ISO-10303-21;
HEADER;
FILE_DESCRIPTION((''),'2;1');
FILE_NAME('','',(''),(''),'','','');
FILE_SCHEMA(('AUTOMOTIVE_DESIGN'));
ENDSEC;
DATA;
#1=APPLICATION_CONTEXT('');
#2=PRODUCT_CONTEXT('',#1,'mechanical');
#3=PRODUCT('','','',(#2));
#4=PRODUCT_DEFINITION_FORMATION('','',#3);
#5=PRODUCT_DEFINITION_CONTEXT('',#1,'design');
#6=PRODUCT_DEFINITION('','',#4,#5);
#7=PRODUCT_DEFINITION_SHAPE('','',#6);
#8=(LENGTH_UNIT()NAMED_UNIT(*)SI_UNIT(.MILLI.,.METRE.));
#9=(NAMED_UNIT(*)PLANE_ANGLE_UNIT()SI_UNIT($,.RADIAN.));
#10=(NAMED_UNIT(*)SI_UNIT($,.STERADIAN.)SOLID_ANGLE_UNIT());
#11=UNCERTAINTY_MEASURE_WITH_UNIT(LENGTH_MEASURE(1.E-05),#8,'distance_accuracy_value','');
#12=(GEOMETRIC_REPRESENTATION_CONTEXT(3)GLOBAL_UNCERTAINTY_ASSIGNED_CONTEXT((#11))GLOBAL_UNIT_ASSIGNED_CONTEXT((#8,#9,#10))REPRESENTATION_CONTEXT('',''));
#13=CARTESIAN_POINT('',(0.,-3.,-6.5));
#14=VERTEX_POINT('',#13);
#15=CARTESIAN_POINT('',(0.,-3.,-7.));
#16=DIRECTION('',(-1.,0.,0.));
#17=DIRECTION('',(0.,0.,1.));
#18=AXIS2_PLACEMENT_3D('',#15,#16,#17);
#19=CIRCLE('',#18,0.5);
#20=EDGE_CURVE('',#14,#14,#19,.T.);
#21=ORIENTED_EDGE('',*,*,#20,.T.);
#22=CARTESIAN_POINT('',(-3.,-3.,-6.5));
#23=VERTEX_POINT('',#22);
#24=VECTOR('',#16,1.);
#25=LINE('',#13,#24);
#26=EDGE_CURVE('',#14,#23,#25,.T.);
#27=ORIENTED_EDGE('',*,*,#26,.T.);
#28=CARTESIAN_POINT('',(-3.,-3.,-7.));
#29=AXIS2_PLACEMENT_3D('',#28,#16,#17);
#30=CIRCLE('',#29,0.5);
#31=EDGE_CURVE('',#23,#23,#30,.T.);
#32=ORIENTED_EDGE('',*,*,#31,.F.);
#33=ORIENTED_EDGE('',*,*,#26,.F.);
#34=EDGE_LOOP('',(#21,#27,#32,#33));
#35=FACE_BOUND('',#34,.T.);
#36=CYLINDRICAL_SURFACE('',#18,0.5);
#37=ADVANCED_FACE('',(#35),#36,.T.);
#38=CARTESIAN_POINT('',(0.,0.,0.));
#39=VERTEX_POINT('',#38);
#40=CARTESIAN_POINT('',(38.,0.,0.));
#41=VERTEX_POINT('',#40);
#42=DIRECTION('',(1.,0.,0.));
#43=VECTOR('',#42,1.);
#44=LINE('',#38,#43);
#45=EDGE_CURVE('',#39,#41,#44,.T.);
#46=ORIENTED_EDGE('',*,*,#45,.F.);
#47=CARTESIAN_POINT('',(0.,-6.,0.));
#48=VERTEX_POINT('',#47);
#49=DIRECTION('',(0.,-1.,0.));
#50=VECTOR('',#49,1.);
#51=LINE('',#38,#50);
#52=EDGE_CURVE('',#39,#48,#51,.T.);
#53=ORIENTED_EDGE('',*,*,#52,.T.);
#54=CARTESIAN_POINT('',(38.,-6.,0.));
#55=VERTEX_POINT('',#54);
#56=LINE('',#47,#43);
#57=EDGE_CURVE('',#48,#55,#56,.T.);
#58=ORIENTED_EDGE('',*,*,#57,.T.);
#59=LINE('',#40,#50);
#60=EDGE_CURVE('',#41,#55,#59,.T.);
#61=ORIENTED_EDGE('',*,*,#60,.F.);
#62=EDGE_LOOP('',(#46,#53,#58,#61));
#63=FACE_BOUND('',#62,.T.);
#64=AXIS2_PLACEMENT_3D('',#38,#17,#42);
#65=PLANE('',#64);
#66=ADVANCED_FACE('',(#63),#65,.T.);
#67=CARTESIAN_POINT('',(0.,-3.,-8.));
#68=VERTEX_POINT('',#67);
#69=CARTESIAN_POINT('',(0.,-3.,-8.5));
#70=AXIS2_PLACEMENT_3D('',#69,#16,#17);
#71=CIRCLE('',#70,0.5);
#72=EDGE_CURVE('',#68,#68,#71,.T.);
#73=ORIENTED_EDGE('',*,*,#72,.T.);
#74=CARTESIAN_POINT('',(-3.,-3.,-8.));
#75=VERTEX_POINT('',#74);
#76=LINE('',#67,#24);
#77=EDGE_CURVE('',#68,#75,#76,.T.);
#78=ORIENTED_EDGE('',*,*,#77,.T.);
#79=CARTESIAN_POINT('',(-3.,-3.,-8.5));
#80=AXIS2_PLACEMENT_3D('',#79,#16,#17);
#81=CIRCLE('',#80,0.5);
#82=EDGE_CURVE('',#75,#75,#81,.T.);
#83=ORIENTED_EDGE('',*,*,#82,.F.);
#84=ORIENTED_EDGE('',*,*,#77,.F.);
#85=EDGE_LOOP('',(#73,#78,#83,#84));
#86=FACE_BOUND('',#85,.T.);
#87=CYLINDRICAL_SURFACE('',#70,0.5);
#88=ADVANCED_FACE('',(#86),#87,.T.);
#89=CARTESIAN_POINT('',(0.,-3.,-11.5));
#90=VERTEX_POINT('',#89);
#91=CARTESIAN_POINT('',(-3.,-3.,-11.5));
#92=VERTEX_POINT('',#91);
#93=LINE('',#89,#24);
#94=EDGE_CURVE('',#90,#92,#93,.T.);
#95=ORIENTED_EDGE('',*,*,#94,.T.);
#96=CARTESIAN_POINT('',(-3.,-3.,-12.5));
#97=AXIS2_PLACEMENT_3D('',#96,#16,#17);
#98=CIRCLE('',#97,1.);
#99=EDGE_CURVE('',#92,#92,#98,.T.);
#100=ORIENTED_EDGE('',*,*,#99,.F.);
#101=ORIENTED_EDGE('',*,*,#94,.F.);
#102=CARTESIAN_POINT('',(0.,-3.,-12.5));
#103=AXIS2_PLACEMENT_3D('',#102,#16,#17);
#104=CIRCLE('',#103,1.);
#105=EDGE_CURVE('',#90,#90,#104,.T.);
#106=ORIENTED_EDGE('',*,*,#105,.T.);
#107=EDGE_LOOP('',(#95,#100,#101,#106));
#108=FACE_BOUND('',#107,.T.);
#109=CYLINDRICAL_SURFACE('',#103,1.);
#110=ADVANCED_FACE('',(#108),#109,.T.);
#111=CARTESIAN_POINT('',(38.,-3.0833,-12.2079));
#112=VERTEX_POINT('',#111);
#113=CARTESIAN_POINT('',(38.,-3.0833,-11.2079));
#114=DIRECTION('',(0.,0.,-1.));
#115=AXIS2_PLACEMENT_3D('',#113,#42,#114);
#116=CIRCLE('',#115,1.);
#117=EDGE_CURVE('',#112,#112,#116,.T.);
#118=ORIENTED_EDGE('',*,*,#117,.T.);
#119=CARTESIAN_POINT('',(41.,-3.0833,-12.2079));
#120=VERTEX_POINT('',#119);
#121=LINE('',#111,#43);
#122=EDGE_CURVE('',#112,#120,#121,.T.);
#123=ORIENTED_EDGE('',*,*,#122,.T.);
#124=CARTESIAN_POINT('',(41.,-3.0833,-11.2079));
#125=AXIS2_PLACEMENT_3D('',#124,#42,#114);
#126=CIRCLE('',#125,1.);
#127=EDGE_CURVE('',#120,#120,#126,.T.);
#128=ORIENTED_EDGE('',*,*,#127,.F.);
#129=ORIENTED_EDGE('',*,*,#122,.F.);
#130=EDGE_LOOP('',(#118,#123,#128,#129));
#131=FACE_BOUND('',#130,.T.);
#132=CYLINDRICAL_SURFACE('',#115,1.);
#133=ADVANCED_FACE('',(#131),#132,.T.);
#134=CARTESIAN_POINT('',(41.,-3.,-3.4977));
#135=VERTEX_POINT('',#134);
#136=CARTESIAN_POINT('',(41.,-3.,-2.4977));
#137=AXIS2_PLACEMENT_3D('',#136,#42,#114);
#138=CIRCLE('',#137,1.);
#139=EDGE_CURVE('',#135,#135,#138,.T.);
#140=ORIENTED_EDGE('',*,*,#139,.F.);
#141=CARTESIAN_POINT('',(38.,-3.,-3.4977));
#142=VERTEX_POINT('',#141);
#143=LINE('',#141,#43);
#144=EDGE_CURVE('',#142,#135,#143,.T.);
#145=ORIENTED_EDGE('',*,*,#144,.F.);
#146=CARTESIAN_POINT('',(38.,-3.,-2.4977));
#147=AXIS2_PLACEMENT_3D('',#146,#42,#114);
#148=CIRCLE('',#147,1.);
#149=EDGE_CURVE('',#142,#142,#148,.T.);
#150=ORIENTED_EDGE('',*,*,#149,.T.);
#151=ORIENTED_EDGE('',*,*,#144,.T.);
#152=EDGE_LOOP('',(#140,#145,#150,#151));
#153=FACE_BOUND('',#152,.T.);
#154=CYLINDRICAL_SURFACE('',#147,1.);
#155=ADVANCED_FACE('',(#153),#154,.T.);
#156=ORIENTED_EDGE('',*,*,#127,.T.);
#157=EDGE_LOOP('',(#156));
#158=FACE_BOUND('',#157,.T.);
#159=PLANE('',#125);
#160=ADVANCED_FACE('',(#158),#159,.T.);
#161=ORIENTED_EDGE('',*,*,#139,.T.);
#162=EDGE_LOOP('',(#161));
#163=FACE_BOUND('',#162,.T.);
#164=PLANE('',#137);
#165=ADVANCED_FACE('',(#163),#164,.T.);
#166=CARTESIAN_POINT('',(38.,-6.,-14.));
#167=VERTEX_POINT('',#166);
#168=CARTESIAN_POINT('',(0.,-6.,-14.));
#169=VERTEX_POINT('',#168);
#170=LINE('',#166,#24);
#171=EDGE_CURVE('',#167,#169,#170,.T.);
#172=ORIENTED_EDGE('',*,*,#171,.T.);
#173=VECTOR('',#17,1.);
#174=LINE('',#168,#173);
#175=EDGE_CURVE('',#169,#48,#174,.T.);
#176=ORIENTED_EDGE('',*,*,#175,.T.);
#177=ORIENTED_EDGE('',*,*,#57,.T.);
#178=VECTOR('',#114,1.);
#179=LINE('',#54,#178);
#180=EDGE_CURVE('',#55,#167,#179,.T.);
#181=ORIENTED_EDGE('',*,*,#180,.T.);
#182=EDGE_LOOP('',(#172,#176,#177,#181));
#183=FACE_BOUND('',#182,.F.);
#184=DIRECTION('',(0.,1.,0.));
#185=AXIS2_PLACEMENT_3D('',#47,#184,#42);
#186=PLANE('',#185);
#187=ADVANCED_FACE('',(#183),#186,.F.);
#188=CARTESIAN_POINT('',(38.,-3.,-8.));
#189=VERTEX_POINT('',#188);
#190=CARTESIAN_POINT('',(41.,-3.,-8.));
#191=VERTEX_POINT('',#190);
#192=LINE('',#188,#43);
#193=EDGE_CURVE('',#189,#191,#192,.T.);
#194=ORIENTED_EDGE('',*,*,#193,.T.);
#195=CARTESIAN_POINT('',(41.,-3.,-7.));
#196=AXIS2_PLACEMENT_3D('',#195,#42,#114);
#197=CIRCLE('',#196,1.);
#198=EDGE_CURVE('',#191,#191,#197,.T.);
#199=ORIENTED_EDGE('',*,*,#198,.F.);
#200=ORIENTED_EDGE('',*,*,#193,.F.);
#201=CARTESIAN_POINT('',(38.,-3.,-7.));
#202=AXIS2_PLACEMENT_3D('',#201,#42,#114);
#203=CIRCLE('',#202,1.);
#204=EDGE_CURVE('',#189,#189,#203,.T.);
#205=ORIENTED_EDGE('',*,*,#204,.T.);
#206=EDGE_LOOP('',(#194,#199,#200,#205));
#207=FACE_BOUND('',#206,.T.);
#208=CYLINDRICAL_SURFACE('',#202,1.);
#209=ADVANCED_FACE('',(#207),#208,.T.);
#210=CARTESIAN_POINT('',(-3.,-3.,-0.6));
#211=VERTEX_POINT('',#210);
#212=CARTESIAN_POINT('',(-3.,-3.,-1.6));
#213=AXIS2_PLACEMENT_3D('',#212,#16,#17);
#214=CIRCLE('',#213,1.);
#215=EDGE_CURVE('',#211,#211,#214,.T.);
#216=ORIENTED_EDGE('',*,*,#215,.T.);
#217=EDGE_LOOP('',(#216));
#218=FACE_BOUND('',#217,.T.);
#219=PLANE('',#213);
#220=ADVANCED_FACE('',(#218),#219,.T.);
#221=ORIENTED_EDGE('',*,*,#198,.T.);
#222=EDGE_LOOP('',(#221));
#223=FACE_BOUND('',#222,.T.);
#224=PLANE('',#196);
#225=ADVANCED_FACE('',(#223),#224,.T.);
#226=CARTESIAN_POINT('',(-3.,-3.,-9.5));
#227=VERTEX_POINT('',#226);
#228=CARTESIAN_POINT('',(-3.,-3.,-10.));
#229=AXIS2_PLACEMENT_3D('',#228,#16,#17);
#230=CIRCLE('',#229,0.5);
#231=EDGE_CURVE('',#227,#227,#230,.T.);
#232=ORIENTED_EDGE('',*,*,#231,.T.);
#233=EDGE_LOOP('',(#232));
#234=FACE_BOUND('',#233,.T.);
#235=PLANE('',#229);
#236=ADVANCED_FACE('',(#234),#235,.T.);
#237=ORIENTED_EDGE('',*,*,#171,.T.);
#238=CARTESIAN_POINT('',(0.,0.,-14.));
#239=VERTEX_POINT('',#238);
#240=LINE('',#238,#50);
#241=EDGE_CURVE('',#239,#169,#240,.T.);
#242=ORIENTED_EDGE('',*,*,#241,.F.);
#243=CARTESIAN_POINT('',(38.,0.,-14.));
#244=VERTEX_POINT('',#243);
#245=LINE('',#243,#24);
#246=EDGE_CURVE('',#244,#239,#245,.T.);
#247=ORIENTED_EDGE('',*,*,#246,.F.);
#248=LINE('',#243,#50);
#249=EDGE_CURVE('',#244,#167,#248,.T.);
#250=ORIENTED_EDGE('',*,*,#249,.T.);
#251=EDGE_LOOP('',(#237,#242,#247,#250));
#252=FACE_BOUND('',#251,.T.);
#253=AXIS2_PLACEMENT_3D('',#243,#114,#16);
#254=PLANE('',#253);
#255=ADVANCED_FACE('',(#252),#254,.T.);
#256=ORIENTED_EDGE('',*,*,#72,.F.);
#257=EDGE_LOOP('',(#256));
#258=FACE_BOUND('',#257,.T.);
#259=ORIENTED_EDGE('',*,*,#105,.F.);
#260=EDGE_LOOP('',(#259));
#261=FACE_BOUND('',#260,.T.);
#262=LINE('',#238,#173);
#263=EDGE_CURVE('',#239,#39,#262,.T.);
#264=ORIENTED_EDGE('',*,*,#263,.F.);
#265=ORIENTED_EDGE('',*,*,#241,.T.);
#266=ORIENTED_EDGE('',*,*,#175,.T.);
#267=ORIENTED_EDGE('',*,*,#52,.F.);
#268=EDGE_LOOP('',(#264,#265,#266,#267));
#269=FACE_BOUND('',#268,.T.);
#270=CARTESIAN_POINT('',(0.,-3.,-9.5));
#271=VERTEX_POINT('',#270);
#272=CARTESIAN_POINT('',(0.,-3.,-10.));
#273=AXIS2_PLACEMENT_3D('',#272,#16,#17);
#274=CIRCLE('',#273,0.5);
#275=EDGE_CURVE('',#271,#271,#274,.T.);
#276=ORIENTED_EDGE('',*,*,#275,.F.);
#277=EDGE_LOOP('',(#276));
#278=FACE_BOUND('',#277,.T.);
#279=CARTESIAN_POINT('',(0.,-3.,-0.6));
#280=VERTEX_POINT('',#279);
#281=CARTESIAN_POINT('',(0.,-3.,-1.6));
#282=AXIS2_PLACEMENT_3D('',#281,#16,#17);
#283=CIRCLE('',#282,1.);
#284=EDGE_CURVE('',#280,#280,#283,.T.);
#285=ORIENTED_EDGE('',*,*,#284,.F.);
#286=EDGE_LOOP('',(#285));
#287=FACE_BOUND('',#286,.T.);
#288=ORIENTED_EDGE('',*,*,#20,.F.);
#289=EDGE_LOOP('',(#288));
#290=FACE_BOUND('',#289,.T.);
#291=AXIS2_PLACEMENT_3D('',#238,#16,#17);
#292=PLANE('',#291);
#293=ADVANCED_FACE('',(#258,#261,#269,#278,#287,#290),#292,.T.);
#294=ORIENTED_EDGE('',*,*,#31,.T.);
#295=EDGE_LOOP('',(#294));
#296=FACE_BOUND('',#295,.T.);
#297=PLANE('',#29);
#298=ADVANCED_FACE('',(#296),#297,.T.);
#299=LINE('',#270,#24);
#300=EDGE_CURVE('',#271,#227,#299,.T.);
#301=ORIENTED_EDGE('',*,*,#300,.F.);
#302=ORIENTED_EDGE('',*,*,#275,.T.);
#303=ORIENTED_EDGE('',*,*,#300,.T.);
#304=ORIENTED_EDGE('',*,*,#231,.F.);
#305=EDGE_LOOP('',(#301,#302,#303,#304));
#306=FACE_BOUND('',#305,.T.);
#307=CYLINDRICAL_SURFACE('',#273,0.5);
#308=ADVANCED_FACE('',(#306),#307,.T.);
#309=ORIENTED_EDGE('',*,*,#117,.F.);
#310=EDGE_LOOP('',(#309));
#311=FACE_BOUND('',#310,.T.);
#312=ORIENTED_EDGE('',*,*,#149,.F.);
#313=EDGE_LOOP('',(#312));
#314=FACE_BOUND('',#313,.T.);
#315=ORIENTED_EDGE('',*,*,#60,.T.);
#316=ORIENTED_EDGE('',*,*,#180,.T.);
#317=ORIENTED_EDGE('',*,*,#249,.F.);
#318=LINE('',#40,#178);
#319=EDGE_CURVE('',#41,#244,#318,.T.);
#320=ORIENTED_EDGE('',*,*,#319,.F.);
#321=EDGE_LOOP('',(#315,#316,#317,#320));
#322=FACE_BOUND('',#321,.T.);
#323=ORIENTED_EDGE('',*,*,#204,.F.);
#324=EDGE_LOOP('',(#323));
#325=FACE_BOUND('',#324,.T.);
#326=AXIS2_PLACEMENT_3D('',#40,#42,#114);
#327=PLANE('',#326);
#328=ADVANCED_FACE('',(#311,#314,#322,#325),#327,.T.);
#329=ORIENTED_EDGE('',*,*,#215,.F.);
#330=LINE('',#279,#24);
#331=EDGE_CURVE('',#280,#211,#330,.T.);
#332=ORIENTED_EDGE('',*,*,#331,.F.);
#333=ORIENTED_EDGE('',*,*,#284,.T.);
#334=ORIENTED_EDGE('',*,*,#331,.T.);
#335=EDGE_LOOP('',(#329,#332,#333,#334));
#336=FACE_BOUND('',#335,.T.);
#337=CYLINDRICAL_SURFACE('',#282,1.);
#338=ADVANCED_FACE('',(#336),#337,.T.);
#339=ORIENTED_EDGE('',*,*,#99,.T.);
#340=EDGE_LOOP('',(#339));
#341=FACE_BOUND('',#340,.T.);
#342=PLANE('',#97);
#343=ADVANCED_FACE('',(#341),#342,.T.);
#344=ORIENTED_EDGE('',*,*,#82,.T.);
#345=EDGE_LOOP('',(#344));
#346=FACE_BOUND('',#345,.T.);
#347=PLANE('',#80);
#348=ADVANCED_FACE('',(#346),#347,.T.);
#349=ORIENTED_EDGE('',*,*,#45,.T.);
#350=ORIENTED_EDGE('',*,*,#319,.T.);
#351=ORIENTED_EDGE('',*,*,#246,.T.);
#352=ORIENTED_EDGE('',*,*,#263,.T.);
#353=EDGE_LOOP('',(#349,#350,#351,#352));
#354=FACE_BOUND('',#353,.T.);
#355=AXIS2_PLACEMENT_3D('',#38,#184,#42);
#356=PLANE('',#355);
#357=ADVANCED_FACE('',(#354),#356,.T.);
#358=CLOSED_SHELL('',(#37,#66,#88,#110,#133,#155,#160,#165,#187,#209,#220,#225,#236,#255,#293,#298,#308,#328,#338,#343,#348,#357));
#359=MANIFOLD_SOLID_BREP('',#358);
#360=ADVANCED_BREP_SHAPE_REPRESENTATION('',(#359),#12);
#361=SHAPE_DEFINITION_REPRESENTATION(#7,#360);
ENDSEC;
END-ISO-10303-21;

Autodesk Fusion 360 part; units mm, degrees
sketch "Sketch1" plane through (0, 0, 0) normal (0, 1, 0) x (1, 0, 0)
  line L0 (0, 0) -> (38, 0)
  line L1 (38, 0) -> (38, 14)
  line L2 (38, 14) -> (0, 14)
  line L3 (0, 14) -> (0, 0)
  line L4 (3.9603, 3.1256) -> (35.9564, 3.1256) construction
  line L5 (35.9564, 3.1256) -> (35.9564, 11.1256) construction
  line L6 (35.9564, 11.1256) -> (3.9603, 11.1256) construction
  line L7 (3.9603, 11.1256) -> (3.9603, 3.1256) construction
  dimension "d1" = 14
  dimension "d2" = 38
extrude "Extrude1" add sketch "Sketch1" against normal blind 6
cylinder "CylinderPrimitive1" add diameter 2 height 3 placed x (0, 0, -1) y (0, 1, 0) z (1, 0, 0) at (38, -3, -2.4977)
sketch "Sketch3" plane through (38, 0, 0) normal (1, 0, 0) x (0, 0, -1)
  circle A0 centre (2.4977, -3) radius 1
  line L0 (14, 0) -> (0, 0)
  line L1 (0, 0) -> (0, -6)
  line L2 (0, -6) -> (14, -6)
  line L3 (14, -6) -> (14, 0)
cylinder "CylinderPrimitive2" add diameter 2 height 3 placed x (0, 0, -1) y (0, 1, 0) z (1, 0, 0) at (38, -3, -7)
cylinder "CylinderPrimitive3" add diameter 2 height 3 placed x (0, 0, -1) y (0, 1, 0) z (1, 0, 0) at (38, -3.0833, -11.2079)
sketch "Sketch5" plane through (0, 0, 0) normal (-1, 0, 0) x (0, 0, 1)
  line L0 (0, 0) -> (-14, 0)
  line L1 (-14, 0) -> (-14, -6)
  line L2 (-14, -6) -> (0, -6)
  line L3 (0, -6) -> (0, 0)
cylinder "CylinderPrimitive4" add diameter 2 height 3 placed x (0, 0, 1) y (0, 1, 0) z (-1, 0, 0) at (0, -3, -12.5)
cylinder "CylinderPrimitive5" add diameter 2 height 3 placed x (0, 0, 1) y (0, 1, 0) z (-1, 0, 0) at (0, -3, -1.6)
cylinder "CylinderPrimitive6" add diameter 1 height 3 placed x (0, 0, 1) y (0, 1, 0) z (-1, 0, 0) at (0, -3, -10)
cylinder "CylinderPrimitive7" add diameter 1 height 3 placed x (0, 0, 1) y (0, 1, 0) z (-1, 0, 0) at (0, -3, -8.5)
cylinder "CylinderPrimitive8" add diameter 1 height 3 placed x (0, 0, 1) y (0, 1, 0) z (-1, 0, 0) at (0, -3, -7)
